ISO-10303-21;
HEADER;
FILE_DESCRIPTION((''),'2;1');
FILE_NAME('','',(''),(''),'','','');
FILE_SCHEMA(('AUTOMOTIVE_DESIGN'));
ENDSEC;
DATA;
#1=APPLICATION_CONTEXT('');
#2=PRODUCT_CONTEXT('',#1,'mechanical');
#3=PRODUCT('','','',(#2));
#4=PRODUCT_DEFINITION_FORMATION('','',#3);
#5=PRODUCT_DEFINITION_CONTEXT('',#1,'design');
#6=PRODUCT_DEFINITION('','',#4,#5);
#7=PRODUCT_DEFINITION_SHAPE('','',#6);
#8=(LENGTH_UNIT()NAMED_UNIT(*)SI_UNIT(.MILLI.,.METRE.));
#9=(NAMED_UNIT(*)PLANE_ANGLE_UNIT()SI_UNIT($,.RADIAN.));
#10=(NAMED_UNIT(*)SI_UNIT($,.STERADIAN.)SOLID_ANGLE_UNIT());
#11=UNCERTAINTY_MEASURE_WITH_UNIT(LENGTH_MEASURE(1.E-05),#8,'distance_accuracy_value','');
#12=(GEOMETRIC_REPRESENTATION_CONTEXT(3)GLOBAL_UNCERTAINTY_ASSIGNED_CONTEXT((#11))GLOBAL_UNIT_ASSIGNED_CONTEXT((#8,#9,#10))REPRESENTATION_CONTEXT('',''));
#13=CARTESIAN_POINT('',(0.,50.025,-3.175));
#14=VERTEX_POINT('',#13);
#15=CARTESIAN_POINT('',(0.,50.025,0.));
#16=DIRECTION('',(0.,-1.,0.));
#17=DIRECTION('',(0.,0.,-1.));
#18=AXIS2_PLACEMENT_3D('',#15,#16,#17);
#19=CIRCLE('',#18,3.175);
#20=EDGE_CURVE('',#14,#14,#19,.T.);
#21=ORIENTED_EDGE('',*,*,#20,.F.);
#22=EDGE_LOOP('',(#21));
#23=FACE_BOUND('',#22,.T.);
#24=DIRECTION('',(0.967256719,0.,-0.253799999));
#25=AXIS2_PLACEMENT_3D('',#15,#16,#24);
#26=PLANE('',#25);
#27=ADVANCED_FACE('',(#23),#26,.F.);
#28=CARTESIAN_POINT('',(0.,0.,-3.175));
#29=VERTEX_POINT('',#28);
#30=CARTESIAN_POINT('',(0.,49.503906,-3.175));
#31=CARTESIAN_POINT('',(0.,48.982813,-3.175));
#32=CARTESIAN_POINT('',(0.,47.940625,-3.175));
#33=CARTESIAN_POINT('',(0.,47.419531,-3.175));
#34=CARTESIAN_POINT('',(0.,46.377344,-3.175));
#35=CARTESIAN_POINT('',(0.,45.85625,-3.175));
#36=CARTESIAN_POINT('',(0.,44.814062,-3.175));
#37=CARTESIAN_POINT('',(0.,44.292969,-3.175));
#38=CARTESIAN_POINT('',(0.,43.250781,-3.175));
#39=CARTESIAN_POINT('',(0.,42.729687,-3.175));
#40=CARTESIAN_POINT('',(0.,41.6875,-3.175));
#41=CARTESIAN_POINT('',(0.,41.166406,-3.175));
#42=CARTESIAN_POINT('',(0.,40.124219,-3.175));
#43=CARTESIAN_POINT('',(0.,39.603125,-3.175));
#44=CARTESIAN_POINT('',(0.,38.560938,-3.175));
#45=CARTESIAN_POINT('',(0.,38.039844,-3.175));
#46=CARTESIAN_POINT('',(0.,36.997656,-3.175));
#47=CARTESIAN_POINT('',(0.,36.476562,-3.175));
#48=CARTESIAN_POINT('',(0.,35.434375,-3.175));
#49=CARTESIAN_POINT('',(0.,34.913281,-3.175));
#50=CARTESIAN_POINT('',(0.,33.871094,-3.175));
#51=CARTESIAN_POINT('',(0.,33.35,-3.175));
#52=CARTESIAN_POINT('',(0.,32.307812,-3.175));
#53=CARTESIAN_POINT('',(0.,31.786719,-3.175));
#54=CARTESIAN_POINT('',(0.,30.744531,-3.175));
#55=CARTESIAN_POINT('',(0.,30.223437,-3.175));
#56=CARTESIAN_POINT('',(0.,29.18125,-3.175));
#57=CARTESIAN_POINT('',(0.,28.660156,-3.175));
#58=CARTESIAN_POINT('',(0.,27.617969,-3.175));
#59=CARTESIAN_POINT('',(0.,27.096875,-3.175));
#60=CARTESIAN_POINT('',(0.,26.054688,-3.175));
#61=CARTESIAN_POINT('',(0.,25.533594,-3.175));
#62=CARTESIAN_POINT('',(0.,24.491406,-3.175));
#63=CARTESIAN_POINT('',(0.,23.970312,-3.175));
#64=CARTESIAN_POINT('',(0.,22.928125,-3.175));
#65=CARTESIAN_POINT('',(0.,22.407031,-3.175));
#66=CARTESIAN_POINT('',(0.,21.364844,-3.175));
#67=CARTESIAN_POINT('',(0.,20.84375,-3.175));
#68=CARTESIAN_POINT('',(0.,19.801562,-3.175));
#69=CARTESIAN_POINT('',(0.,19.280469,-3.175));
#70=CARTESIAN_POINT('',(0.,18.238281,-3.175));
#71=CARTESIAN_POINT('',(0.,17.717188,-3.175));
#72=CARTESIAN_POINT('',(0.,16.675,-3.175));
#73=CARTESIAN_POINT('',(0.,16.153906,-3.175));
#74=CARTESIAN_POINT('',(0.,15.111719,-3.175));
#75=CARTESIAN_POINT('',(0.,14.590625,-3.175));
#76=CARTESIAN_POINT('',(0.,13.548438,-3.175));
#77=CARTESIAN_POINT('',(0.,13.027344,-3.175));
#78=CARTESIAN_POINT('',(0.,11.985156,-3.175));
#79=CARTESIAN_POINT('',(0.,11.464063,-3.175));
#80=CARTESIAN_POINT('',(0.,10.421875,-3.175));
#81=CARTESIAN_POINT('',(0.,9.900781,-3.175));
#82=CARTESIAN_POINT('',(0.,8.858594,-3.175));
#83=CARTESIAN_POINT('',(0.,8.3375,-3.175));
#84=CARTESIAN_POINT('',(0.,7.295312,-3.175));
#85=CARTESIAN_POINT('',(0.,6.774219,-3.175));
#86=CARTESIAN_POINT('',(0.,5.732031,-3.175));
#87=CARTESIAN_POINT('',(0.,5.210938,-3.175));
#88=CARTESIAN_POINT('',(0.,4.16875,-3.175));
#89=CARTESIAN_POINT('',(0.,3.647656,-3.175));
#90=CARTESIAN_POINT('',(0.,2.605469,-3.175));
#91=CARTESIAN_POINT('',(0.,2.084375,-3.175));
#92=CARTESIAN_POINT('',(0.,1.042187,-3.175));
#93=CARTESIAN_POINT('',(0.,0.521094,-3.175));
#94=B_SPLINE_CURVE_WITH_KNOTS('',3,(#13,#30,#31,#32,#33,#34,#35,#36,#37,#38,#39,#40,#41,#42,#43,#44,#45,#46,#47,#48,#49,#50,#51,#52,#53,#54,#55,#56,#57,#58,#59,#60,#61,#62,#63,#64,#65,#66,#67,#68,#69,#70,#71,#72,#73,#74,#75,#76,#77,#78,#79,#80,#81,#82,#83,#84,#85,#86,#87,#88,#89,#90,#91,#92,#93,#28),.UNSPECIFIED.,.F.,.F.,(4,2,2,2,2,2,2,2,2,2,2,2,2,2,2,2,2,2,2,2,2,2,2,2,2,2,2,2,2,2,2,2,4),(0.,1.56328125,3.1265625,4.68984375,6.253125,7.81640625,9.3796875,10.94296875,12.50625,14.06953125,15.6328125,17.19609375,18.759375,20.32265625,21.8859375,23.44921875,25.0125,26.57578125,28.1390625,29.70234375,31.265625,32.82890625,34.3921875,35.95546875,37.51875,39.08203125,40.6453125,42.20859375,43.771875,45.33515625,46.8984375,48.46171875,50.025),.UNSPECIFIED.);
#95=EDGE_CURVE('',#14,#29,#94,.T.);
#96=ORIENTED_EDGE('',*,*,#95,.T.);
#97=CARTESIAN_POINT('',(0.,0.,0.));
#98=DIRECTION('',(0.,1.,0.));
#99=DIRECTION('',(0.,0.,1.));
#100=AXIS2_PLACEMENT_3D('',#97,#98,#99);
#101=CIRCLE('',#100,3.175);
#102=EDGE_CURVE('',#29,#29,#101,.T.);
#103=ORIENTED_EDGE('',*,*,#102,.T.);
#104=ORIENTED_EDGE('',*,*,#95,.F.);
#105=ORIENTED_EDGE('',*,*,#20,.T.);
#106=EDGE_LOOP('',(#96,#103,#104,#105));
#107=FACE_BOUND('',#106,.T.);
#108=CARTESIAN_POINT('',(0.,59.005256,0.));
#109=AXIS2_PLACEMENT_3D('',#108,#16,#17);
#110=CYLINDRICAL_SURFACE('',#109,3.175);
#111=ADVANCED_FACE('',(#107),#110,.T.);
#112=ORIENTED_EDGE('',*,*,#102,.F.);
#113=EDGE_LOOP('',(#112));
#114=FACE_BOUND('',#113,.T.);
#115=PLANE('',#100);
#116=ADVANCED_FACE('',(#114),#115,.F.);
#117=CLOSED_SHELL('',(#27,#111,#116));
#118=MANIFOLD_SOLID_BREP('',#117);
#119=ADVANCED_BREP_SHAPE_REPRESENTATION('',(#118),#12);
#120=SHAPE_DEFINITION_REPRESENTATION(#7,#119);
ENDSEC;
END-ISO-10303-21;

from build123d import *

# Parameters (mm, degrees)
SKETCH1_R           = 3.175
BOSS_EXTRUDE1_DEPTH = 50.025


with BuildPart() as part:
    # Sketch1 → Boss-Extrude1 (new body)
    with BuildSketch(Plane(origin=(0, 0, 0), x_dir=(1, 0, 0), z_dir=(0, 1, 0))):
        with Locations(Location((0, 0, 0), (0, 0, 90))):
            Circle(SKETCH1_R)
    extrude(amount=BOSS_EXTRUDE1_DEPTH)


solid = part.part
